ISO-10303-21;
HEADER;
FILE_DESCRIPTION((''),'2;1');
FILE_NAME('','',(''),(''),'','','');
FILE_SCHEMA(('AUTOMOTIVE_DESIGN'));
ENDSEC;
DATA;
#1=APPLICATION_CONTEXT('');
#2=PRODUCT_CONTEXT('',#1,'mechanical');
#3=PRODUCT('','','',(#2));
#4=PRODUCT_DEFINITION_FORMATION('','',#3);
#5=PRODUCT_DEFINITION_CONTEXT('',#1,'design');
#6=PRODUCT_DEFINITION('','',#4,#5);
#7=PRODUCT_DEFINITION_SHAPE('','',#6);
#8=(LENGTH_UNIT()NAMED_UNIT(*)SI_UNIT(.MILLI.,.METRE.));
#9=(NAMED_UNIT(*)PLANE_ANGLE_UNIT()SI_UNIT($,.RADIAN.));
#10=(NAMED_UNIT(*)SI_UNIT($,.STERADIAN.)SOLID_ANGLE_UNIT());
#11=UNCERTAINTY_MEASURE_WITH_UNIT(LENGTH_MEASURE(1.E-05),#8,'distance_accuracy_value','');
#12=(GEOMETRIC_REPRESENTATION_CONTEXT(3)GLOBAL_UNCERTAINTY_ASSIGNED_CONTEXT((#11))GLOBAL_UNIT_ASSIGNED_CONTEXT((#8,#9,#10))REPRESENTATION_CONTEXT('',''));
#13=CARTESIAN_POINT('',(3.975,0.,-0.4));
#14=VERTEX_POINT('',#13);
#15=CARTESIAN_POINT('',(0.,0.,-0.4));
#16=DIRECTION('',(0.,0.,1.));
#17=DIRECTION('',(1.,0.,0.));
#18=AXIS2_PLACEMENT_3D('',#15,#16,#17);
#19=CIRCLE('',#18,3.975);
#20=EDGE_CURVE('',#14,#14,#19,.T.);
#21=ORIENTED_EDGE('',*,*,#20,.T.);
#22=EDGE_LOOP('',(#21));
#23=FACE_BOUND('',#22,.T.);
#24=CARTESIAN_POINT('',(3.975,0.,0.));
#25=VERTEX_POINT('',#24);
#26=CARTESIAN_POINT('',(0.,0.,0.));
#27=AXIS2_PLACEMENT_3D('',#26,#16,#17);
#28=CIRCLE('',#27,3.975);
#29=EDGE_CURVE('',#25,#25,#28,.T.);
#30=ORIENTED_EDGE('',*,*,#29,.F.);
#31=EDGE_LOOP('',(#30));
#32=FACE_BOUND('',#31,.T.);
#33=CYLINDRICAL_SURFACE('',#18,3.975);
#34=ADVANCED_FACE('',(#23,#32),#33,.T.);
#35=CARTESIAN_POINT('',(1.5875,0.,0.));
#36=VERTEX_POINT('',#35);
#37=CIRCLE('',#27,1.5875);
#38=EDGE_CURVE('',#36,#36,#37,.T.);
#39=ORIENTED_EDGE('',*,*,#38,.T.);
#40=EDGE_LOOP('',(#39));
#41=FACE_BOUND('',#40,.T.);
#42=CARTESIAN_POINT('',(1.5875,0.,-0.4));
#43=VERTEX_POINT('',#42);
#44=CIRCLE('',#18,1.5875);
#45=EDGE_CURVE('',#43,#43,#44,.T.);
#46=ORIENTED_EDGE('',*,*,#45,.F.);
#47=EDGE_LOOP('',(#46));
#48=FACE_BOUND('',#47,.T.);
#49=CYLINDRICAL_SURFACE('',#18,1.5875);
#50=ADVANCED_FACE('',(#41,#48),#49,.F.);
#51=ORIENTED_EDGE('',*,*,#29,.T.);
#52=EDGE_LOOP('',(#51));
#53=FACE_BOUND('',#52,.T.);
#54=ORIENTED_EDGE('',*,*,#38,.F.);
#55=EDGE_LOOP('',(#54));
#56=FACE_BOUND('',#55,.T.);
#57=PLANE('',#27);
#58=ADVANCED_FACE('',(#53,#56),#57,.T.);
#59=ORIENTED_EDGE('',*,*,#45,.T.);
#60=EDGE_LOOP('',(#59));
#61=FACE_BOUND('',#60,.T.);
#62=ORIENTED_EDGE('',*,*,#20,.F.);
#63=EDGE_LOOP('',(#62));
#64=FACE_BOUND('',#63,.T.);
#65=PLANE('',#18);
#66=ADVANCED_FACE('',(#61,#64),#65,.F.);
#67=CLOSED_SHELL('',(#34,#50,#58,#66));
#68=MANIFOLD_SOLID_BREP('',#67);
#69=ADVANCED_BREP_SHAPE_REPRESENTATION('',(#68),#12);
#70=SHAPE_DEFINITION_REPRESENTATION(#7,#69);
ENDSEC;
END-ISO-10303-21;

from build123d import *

# Parameters (mm, degrees)
SKETCH1_R      = 3.975
SKETCH1_R_2    = 1.5875
EXTRUDE1_DEPTH = 0.4


with BuildPart() as part:
    # Sketch1 → Extrude1 (new body)
    with BuildSketch(Plane.XY):
        Circle(SKETCH1_R)
        Circle(SKETCH1_R_2, mode=Mode.SUBTRACT)
    extrude(amount=-EXTRUDE1_DEPTH)


solid = part.part
